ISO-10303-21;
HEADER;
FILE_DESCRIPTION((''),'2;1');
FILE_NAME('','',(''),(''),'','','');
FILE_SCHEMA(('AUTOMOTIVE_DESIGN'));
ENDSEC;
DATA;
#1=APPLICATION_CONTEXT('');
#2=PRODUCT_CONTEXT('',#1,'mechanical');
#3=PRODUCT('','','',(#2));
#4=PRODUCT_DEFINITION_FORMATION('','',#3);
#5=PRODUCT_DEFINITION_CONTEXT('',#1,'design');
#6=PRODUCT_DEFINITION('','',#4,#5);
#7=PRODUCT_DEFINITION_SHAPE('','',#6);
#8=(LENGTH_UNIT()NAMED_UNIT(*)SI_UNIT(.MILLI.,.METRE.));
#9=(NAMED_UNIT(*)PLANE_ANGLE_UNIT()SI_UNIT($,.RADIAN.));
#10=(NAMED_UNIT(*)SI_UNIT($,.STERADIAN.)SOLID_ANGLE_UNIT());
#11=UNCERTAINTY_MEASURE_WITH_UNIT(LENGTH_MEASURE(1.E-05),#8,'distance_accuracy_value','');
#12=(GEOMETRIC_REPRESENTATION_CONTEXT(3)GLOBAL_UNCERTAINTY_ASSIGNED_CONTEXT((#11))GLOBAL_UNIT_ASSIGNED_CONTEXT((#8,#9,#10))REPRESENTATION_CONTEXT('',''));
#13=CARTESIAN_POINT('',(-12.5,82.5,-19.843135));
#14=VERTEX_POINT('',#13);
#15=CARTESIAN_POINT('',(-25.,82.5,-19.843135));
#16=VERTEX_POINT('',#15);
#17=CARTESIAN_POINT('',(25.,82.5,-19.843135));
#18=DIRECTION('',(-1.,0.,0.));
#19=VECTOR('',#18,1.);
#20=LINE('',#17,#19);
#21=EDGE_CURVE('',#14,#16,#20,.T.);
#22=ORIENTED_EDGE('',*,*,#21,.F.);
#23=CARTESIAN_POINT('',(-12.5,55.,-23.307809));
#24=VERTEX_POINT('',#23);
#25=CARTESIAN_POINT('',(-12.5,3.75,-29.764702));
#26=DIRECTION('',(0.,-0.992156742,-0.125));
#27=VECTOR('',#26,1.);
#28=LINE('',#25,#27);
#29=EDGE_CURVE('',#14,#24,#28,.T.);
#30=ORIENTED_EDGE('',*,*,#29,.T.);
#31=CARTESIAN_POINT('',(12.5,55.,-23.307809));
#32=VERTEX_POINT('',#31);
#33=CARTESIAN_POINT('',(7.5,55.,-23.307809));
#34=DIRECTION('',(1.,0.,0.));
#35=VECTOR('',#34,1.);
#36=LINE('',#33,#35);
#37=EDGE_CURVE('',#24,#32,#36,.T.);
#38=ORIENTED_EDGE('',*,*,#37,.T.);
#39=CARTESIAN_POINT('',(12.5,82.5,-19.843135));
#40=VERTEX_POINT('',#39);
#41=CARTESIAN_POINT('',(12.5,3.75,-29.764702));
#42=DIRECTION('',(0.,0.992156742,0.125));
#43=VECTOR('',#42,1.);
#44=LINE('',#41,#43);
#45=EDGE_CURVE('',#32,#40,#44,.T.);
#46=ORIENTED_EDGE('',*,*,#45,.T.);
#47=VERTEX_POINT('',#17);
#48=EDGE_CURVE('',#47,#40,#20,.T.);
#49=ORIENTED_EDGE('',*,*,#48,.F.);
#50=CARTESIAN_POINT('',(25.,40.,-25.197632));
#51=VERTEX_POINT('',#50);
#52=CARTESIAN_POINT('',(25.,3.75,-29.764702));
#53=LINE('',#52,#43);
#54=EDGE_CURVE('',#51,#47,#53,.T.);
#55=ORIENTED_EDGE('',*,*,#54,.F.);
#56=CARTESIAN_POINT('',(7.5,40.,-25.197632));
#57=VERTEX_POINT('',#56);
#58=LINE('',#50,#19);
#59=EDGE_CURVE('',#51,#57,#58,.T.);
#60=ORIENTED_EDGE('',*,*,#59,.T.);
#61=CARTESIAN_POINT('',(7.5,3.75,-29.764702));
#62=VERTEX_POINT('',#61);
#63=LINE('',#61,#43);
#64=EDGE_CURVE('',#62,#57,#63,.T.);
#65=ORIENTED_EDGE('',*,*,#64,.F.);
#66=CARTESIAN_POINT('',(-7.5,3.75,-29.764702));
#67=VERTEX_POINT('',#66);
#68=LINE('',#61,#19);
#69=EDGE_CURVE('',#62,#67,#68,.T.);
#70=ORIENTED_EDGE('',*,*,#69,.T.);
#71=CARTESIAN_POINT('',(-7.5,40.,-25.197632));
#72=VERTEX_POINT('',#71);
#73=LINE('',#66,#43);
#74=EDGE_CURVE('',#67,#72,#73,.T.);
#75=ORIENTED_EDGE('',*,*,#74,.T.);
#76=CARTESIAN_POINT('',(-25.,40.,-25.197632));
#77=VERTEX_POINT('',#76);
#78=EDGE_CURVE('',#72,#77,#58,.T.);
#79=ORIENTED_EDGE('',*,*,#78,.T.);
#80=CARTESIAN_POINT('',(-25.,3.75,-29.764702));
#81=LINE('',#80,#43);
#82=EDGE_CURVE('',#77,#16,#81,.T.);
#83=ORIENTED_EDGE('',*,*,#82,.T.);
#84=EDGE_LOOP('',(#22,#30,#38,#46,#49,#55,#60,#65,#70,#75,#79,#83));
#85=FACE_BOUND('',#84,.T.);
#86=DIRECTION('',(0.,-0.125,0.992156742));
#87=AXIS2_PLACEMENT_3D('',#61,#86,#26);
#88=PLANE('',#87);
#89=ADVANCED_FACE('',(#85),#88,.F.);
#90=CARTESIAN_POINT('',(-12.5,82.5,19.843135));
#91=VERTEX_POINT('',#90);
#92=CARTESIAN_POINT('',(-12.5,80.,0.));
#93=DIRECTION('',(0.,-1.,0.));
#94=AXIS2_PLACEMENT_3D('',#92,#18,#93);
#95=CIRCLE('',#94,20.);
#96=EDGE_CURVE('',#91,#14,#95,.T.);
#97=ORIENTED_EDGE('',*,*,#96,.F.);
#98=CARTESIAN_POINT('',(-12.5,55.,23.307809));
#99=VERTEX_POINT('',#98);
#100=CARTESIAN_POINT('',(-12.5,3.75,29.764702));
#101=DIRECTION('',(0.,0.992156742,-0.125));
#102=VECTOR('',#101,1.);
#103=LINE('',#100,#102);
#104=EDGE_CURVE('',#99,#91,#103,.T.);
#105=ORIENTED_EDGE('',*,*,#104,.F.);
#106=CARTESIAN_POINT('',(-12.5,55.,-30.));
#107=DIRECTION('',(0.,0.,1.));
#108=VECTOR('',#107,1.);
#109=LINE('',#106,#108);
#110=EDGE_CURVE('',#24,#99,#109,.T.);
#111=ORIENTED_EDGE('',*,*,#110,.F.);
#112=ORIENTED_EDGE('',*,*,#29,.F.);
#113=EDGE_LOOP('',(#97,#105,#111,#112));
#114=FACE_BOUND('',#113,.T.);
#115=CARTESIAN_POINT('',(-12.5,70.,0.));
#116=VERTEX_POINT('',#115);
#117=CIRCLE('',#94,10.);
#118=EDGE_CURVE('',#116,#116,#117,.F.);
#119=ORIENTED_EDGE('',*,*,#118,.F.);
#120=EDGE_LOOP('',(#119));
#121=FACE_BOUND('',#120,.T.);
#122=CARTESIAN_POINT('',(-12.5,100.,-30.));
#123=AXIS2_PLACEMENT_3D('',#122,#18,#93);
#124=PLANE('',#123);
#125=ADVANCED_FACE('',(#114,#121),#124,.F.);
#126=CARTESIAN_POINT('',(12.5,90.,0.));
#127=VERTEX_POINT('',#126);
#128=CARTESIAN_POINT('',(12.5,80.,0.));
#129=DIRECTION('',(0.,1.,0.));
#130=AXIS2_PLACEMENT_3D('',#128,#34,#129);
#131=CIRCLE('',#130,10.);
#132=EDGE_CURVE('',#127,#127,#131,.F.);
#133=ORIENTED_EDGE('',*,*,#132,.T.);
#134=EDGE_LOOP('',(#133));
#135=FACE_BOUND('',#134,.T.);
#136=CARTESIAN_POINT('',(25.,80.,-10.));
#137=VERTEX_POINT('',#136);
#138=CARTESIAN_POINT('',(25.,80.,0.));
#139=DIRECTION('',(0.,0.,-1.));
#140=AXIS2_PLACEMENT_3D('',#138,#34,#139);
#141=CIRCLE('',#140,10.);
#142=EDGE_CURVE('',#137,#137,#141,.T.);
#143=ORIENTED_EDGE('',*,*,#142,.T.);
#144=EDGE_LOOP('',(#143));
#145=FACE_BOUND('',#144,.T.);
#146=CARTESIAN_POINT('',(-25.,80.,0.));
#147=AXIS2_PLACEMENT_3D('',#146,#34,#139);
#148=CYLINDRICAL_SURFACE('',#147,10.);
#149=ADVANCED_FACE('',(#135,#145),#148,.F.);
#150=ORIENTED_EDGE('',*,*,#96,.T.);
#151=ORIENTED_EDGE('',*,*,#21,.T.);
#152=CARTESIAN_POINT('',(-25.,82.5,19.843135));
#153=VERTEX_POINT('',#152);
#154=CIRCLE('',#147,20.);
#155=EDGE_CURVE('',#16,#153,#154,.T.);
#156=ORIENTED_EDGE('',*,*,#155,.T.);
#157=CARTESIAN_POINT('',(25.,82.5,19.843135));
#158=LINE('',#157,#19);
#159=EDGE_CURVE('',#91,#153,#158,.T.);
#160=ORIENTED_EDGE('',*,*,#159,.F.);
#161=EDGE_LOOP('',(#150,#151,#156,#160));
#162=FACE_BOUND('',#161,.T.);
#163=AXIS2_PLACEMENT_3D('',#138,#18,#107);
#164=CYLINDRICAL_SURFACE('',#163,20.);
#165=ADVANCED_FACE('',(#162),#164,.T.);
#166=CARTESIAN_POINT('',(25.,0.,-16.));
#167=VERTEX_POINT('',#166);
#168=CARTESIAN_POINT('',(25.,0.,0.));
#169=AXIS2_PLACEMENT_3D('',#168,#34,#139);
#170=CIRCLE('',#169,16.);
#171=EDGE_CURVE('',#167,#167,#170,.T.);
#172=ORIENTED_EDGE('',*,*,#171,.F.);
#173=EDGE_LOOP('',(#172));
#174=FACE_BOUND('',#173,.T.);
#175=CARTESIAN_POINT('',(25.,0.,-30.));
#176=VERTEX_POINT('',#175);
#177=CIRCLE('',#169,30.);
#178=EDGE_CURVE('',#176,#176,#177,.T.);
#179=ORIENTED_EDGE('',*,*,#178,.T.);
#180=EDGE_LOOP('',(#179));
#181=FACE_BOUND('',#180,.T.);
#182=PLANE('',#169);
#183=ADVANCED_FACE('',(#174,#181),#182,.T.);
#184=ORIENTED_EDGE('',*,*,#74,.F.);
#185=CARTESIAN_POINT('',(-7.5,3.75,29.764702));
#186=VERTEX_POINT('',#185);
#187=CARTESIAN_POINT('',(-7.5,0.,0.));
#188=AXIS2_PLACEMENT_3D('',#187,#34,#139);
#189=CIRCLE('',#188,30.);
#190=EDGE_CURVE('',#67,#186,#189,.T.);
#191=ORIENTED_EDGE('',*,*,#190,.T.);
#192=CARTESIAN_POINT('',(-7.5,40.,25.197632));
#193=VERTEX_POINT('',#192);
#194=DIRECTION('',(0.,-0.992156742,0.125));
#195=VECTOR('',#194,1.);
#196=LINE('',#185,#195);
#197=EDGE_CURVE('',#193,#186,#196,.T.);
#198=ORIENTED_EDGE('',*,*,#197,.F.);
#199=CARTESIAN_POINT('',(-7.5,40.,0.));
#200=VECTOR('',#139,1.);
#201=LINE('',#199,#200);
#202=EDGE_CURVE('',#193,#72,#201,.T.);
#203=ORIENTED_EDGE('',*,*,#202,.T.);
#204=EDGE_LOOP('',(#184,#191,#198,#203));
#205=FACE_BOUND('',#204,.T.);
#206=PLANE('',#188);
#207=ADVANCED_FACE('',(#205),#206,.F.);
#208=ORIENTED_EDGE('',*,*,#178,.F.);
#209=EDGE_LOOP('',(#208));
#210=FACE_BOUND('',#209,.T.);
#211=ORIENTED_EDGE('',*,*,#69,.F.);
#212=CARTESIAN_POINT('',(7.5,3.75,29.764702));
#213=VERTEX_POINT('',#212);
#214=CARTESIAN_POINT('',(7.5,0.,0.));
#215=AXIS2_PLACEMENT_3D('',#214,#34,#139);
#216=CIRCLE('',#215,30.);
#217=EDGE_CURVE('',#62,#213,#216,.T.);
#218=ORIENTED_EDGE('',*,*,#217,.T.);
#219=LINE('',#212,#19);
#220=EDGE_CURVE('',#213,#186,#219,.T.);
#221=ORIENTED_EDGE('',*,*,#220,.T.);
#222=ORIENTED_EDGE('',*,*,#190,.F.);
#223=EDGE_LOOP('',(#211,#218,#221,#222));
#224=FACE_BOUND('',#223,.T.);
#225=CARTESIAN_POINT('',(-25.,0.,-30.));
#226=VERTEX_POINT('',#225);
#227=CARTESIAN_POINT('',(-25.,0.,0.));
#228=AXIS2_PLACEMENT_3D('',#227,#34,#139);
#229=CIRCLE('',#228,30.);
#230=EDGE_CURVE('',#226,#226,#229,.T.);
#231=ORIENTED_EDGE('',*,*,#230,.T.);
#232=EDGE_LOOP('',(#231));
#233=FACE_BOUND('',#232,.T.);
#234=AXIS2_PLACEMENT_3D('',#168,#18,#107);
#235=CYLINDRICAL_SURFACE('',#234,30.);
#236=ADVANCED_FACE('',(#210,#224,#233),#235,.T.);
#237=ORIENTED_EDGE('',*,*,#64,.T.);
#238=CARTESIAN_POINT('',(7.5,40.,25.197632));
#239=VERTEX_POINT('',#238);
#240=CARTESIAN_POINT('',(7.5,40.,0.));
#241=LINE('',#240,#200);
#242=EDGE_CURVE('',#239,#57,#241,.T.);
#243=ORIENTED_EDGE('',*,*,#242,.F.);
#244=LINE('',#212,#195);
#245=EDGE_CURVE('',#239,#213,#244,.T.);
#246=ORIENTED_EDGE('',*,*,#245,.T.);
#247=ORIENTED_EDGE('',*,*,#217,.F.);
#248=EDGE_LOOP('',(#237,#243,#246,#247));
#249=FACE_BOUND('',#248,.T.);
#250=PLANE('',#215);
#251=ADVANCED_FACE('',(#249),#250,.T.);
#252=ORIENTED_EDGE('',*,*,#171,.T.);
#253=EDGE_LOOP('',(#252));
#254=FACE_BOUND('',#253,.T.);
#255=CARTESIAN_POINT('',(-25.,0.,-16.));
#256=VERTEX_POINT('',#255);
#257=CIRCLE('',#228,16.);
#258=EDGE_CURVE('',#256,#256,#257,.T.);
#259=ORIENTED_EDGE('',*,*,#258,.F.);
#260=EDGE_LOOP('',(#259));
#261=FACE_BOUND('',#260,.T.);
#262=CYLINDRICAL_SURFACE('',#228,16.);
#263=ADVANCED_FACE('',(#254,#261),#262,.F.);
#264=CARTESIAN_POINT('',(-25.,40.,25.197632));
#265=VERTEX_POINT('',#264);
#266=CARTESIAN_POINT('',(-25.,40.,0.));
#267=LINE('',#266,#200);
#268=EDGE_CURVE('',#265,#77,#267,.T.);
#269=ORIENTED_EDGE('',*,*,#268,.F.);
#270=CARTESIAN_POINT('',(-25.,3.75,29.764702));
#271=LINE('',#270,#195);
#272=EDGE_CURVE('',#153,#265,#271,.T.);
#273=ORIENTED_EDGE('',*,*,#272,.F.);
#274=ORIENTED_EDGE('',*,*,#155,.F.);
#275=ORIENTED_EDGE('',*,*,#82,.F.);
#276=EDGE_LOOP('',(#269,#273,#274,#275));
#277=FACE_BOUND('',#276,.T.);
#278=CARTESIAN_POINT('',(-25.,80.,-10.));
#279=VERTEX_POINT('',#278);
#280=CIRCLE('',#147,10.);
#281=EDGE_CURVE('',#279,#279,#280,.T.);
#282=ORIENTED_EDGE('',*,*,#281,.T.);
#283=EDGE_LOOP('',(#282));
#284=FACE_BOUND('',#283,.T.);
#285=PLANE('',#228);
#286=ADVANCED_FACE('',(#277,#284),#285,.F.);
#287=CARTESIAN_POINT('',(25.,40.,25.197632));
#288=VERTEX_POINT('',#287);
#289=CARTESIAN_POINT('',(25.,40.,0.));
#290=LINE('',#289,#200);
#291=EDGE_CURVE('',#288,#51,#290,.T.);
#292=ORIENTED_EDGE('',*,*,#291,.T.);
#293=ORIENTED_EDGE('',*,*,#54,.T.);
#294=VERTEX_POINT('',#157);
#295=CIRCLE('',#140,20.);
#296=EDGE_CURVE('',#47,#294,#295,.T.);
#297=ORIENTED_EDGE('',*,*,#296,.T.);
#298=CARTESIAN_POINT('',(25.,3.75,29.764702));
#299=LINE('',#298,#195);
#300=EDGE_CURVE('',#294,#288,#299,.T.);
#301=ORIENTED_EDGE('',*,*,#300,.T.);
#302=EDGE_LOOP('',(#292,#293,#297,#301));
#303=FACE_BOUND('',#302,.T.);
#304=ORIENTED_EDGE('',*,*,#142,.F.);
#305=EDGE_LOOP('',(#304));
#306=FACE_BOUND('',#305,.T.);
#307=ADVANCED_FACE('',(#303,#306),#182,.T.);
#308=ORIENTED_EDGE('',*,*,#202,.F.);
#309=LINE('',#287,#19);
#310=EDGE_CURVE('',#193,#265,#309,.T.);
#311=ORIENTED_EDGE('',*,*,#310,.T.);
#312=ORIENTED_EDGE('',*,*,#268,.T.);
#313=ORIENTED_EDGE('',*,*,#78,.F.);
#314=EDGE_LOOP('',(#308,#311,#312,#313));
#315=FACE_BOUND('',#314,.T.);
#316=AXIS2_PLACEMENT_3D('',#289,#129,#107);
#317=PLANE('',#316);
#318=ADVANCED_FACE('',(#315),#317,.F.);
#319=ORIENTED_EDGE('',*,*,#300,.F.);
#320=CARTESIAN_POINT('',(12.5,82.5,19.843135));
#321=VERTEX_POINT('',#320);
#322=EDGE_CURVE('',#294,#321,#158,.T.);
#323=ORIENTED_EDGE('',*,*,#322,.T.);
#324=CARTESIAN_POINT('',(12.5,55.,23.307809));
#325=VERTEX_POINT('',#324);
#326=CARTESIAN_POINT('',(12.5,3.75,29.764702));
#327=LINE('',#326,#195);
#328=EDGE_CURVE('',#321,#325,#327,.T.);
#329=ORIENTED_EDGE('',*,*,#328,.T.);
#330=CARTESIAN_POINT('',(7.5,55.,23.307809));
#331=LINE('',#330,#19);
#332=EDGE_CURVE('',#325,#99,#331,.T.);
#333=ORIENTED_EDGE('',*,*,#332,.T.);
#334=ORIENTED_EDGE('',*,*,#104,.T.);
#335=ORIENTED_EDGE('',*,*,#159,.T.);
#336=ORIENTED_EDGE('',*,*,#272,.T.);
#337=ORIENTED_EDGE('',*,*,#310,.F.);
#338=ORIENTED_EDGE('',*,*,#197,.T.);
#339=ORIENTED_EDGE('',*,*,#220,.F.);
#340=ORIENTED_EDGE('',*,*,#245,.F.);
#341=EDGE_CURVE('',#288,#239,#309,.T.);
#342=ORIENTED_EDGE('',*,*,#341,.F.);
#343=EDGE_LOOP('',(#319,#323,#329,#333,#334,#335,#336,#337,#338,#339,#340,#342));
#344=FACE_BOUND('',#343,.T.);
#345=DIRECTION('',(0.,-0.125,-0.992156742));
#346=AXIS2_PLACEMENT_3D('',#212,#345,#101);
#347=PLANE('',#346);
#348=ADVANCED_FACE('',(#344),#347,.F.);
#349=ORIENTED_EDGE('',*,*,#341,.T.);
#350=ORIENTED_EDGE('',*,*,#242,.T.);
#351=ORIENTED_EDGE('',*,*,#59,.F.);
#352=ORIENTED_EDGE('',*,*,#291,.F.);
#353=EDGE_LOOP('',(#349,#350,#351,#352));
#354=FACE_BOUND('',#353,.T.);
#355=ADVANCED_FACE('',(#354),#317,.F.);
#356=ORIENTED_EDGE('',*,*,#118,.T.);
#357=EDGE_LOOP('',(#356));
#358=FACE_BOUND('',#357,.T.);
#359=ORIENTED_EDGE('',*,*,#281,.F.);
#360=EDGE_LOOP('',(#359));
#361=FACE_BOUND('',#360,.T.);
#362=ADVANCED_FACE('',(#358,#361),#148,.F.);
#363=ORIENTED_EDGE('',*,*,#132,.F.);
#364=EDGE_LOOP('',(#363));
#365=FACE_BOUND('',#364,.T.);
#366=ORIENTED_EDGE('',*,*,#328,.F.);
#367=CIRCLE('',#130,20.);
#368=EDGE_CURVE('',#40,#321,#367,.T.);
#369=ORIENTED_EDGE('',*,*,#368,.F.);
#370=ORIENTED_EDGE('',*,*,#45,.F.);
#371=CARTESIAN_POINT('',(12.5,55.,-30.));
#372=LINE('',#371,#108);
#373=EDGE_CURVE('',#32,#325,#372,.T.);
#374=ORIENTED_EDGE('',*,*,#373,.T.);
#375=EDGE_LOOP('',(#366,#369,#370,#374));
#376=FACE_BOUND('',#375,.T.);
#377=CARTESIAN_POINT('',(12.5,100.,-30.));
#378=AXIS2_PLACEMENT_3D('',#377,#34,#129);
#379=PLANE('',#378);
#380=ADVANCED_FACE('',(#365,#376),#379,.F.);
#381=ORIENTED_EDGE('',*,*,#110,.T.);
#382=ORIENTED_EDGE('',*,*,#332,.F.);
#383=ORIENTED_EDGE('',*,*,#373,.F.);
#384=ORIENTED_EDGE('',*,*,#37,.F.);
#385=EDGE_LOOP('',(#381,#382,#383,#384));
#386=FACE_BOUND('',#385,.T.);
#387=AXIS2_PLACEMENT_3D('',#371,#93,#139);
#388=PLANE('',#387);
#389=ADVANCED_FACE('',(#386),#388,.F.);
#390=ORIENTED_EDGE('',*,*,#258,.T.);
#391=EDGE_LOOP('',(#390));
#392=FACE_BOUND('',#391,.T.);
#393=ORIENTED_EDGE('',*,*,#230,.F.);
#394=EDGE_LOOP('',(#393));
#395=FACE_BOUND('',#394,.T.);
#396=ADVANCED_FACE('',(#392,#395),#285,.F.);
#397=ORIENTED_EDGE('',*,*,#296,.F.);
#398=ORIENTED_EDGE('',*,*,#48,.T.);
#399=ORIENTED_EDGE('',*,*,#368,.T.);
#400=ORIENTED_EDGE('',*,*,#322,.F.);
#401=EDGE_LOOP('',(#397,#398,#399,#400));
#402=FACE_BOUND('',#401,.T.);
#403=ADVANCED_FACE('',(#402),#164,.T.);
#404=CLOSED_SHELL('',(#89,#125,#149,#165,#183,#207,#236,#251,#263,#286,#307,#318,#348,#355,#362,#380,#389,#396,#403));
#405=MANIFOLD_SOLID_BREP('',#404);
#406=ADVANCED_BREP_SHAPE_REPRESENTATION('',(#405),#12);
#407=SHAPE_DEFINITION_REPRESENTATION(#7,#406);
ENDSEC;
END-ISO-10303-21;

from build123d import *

# Parameters (mm, degrees)
SKETCH1_R               = 30
BOSS_EXTRUDE1_DEPTH     = 25
SKETCH2_R               = 16
CUT_EXTRUDE1_DEPTH      = 25
BOSS_EXTRUDE3_DEPTH     = 25
BOSS_EXTRUDE4_DEPTH     = 7.5
SKETCH4_R               = 10
CUT_EXTRUDE2_DEPTH      = 51
SKETCH5_W               = 25
SKETCH5_H               = 45
CUT_EXTRUDE3_DEPTH      = 31
CUT_EXTRUDE3_DEPTH_BACK = 31


with BuildPart() as part:
    # Sketch1 → Boss-Extrude1 (new body, symmetric)
    with BuildSketch(Plane(origin=(0, 0, 0), x_dir=(0, 0, -1), z_dir=(1, 0, 0))):
        Circle(SKETCH1_R)
    extrude(amount=BOSS_EXTRUDE1_DEPTH, both=True)

    # Sketch2 → Cut-Extrude1 (cut, symmetric)
    with BuildSketch(Plane(origin=(0, 0, 0), x_dir=(0, 0, -1), z_dir=(1, 0, 0))):
        Circle(SKETCH2_R)
    extrude(amount=CUT_EXTRUDE1_DEPTH, both=True, mode=Mode.SUBTRACT)



with BuildPart() as body_2:
    # Sketch3 → Boss-Extrude3 (new body, symmetric)
    with BuildSketch(Plane(origin=(0, 0, 0), x_dir=(0, 0, -1), z_dir=(1, 0, 0))):
        with BuildLine():
            Line((-19.843134833, 82.5), (-25.197631534, 40))
            Line((-25.197631534, 40), (25.197631534, 40))
            Line((25.197631534, 40), (19.843134833, 82.5))
            ThreePointArc((19.843134833, 82.5), (0, 100), (-19.843134833, 82.5))
        make_face()
    extrude(amount=BOSS_EXTRUDE3_DEPTH, both=True)


with BuildPart() as part_1:
    add(part.part)

    add(body_2.part)  # Boss-Extrude4 merges body 2
    # Sketch3<3> → Boss-Extrude4 (add, symmetric)
    with BuildSketch(Plane(origin=(0, 0, 0), x_dir=(0, 0, -1), z_dir=(1, 0, 0))):
        with BuildLine():
            Line((25.197631534, 40), (-25.197631534, 40))
            Line((-25.197631534, 40), (-29.764702249, 3.75))
            ThreePointArc((-29.764702249, 3.75), (0, 30), (29.764702249, 3.75))
            Line((29.764702249, 3.75), (25.197631534, 40))
        make_face()
    extrude(amount=BOSS_EXTRUDE4_DEPTH, both=True)

    # Sketch4 → Cut-Extrude2 (cut, through all)
    with BuildSketch(Plane(origin=(25, 0, 0), x_dir=(0, 0, -1), z_dir=(1, 0, 0))):
        with Locations((0, 80)):
            Circle(SKETCH4_R)
    extrude(amount=-CUT_EXTRUDE2_DEPTH, mode=Mode.SUBTRACT)

    # Sketch5 → Cut-Extrude3 (cut, two sides)
    with BuildSketch(Plane.XY) as cut_extrude3_sk:
        with Locations((0, 77.5)):
            Rectangle(SKETCH5_W, SKETCH5_H)
    extrude(amount=CUT_EXTRUDE3_DEPTH, mode=Mode.SUBTRACT)
    extrude(cut_extrude3_sk.sketch, amount=-CUT_EXTRUDE3_DEPTH_BACK, mode=Mode.SUBTRACT)


solid = part_1.part
